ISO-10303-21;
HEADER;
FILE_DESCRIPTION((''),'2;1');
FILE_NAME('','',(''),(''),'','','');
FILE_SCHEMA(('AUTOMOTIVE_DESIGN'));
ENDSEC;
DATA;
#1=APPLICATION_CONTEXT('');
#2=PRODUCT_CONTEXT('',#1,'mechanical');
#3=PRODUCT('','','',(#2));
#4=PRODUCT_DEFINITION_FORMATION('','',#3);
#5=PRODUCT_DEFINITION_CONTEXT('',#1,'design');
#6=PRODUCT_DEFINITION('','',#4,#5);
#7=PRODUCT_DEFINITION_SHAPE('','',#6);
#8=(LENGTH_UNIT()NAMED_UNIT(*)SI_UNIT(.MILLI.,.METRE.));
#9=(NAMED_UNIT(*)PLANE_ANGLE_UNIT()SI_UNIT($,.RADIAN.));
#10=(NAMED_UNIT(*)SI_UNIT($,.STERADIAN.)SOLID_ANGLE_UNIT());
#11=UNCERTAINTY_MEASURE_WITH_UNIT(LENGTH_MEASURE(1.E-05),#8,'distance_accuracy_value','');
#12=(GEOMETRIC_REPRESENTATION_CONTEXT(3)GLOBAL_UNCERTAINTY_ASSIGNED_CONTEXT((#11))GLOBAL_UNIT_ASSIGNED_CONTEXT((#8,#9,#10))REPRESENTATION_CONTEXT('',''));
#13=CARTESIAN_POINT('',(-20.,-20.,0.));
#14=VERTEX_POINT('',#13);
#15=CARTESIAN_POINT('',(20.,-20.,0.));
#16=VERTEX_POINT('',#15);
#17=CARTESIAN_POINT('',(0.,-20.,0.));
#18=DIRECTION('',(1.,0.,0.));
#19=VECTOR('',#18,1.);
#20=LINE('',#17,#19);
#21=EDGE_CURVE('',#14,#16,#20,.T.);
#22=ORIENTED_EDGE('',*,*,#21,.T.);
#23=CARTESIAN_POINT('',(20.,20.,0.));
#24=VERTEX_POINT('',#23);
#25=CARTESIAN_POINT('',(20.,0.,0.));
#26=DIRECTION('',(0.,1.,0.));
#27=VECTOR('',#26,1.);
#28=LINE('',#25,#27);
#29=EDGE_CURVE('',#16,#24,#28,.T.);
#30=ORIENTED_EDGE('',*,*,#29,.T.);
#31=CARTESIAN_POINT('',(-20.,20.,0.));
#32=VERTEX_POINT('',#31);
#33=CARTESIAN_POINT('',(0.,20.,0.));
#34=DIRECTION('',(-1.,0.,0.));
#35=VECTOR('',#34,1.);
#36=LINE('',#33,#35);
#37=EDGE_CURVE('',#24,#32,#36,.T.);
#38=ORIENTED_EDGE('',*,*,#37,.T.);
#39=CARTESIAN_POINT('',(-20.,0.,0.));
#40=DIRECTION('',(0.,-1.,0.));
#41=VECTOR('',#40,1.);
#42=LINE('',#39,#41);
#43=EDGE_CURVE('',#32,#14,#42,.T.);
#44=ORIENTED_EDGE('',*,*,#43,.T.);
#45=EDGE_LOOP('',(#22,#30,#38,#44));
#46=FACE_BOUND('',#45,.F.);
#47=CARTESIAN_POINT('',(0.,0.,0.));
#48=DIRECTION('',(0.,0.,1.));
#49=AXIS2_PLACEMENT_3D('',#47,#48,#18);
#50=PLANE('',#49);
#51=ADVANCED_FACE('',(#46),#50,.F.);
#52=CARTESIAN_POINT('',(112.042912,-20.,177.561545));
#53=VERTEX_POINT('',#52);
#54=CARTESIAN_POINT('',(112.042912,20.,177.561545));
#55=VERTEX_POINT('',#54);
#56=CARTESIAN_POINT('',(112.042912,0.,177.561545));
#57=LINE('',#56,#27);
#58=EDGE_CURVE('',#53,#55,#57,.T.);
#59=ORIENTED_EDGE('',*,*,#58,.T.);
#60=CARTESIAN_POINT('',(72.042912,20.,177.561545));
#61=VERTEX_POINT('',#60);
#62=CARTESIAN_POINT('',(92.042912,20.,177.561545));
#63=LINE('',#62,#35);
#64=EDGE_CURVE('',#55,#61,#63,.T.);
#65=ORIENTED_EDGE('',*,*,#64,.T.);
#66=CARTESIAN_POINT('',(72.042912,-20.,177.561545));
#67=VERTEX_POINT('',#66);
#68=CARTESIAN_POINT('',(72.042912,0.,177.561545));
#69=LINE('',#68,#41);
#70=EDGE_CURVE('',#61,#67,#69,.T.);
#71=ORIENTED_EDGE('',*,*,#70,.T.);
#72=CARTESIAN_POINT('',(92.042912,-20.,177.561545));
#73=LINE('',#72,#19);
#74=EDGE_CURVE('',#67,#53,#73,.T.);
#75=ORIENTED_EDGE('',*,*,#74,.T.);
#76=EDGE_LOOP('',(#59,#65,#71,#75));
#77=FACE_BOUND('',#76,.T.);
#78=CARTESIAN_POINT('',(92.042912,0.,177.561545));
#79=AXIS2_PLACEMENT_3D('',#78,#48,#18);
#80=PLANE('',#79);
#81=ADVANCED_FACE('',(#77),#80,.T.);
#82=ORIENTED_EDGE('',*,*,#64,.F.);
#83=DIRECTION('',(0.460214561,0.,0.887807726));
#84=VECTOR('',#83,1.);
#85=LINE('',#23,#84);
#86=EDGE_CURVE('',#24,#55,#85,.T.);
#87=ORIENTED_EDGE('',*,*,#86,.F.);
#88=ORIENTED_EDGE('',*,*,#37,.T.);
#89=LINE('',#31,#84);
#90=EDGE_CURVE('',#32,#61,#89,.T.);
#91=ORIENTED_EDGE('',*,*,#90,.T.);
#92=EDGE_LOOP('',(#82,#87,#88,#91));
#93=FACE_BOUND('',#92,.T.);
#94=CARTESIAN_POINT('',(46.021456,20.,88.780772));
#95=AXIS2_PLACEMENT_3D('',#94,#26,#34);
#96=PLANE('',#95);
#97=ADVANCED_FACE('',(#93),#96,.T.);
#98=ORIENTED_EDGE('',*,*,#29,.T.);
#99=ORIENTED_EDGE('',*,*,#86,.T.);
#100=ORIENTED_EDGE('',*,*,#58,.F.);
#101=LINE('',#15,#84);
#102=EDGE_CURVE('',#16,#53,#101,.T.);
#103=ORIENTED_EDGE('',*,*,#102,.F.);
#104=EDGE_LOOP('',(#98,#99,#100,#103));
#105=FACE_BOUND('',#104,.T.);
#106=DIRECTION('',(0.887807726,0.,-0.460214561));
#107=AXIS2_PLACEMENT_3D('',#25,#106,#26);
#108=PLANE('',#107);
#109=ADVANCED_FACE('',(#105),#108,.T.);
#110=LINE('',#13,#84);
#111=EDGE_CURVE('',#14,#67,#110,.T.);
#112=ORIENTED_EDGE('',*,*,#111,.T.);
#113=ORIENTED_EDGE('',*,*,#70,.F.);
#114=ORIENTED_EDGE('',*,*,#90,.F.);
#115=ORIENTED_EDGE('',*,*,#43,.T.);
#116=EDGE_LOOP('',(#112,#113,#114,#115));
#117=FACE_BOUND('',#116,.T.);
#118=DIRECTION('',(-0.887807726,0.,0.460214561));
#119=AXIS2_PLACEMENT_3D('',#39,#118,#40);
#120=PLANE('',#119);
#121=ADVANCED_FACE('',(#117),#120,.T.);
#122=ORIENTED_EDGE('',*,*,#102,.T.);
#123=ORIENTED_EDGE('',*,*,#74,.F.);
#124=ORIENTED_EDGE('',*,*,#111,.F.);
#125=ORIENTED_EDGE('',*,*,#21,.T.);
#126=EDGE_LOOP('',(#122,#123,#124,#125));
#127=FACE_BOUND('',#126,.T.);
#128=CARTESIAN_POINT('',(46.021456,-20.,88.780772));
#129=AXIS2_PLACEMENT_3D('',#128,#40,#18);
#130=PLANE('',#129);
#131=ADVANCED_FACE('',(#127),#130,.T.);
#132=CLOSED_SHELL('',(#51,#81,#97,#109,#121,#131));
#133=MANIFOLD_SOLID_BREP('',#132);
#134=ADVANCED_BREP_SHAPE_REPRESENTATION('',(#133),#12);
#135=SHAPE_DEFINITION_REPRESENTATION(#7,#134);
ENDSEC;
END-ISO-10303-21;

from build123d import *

# Parameters (mm, degrees)
F0_W = 40
F0_H = 40


with BuildPart() as f2:
    # F2: sweep along a path in F1
    with BuildLine(Plane.XZ) as f2_path:
        Line((0, 0), (92.042912, 177.561545))
    # F0 (on Top) → F2 (sweep)
    with BuildSketch(Plane.XY):
        Rectangle(F0_W, F0_H)
    sweep(path=f2_path.line)


solid = f2.part
